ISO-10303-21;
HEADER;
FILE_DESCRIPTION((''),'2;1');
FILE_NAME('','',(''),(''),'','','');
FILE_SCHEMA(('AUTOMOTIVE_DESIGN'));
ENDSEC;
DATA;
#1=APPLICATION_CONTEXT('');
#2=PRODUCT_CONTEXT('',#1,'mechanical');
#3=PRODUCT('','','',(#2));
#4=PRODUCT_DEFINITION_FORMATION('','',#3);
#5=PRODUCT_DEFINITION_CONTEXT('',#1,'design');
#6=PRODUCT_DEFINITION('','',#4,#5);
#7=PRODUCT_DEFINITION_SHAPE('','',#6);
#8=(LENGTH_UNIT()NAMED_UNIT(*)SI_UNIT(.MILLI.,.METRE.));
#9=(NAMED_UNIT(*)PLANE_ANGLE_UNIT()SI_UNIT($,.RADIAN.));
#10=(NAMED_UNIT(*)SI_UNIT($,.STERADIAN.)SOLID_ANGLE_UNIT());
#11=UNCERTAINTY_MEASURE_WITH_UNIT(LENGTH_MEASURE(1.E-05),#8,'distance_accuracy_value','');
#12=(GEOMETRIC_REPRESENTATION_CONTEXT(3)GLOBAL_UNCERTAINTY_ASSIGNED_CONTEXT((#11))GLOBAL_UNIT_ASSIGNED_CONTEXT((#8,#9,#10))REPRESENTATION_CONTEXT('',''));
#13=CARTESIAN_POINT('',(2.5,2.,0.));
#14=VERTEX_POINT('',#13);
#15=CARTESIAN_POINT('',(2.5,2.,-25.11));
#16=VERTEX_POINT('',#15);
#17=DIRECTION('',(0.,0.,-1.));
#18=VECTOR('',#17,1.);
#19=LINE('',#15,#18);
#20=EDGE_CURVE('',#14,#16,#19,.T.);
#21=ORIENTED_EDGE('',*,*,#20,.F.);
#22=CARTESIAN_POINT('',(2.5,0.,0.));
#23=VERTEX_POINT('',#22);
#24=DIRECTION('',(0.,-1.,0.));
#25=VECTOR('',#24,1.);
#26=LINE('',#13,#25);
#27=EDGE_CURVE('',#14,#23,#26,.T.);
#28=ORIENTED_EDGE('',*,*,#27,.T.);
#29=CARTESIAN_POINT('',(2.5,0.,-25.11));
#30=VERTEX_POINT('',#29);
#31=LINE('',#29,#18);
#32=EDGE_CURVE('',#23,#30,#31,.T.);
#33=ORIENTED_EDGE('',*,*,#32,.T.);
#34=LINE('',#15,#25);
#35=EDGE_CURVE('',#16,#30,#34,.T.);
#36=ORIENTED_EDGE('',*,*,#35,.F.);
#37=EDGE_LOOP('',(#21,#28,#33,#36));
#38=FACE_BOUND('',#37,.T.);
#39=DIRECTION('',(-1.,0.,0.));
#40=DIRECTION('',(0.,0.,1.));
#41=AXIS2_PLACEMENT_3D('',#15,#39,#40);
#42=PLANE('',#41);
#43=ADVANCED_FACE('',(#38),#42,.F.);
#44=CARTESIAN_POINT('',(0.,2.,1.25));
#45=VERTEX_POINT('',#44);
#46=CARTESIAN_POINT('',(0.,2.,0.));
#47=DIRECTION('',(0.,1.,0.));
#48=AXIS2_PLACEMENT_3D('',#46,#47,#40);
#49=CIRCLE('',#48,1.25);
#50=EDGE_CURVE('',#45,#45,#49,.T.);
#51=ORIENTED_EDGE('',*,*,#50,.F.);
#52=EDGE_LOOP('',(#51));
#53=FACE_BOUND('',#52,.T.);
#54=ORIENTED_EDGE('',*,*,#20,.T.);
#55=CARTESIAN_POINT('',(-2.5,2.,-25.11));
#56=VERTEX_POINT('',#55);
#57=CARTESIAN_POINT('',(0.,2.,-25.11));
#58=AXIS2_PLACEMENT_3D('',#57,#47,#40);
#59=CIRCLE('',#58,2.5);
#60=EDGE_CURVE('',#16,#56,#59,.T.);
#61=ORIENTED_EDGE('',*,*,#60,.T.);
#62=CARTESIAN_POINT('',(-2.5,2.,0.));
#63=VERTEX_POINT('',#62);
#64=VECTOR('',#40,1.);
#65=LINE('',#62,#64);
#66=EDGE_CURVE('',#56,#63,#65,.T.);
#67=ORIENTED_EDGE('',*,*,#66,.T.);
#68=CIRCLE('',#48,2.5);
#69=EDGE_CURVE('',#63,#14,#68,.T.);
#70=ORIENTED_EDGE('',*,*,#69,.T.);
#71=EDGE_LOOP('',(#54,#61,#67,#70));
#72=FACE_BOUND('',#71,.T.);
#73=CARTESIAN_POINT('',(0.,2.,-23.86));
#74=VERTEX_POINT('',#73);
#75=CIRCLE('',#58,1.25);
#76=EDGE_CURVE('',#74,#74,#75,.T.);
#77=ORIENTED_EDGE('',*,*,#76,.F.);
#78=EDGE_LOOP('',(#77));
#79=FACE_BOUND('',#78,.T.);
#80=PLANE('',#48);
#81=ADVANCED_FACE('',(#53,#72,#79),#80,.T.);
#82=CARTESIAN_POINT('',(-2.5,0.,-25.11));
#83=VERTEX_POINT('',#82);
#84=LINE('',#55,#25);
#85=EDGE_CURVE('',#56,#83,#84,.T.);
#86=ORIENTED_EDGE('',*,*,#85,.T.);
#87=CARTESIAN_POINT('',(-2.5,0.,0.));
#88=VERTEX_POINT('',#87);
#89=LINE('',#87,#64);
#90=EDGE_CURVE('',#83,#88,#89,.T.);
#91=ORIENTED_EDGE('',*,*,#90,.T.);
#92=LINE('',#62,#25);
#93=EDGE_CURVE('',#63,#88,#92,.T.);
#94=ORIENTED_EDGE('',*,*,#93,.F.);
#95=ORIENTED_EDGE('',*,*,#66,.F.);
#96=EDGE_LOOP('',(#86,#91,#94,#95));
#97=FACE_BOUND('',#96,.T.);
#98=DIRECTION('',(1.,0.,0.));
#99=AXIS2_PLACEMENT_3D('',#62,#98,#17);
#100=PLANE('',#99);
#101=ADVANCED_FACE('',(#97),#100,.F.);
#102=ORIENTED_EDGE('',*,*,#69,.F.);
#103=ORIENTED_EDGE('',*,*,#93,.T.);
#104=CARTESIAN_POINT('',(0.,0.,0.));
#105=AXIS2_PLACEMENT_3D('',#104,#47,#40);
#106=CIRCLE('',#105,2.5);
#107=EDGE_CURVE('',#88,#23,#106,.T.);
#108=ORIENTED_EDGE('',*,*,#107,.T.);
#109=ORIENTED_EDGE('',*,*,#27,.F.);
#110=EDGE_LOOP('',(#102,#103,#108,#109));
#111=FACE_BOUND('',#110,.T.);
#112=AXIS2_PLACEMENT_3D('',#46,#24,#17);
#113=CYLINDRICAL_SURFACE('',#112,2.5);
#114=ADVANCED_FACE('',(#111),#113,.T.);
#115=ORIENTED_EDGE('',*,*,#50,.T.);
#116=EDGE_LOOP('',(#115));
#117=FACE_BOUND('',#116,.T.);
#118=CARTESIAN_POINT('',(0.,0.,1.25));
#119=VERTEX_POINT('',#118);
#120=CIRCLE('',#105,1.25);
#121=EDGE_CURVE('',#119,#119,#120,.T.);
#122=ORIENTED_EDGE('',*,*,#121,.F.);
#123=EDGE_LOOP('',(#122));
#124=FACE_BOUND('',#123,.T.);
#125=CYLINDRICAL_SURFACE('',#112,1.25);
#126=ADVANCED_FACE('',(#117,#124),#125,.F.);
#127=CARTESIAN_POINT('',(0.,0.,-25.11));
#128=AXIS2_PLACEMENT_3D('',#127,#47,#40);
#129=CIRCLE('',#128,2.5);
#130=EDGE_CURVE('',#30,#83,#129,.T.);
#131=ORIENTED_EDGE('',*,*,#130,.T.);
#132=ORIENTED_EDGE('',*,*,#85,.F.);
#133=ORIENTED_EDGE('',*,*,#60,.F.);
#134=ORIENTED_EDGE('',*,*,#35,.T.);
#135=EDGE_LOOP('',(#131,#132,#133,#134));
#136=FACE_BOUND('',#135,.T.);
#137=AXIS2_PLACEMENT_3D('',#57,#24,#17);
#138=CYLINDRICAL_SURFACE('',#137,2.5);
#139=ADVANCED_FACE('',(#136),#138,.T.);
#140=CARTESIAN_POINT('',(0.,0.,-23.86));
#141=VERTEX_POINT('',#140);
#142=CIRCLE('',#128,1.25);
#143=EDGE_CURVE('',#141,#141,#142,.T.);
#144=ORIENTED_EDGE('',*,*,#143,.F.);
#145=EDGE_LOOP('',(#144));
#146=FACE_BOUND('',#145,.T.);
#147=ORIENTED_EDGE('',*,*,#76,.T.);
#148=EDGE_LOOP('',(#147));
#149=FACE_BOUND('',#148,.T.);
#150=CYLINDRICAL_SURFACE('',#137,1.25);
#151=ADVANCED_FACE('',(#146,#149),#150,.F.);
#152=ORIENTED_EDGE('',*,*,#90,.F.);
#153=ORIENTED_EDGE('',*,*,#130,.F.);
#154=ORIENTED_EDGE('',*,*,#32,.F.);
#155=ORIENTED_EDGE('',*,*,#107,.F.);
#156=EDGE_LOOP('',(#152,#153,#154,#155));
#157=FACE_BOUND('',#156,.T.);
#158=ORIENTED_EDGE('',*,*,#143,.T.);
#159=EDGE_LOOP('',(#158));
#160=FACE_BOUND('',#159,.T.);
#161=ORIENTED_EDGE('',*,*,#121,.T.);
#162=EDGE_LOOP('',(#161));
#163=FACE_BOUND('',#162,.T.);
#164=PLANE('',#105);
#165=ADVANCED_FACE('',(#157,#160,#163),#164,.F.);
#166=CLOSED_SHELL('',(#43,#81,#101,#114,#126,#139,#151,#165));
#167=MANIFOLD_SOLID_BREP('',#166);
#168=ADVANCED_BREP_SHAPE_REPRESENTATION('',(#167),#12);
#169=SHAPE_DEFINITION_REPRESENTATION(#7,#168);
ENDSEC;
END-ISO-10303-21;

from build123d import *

# Parameters (mm, degrees)
SKETCH1_R           = 1
BOSS_EXTRUDE1_DEPTH = 2
MOVE_FACE1_BY       = 0.25
MOVE_FACE1_2_BY     = 0.25


with BuildPart() as part:
    # Sketch1 → Boss-Extrude1 (new body)
    with BuildSketch(Plane(origin=(0, 0, 0), x_dir=(1, 0, 0), z_dir=(0, 1, 0))):
        with BuildLine():
            Line((-2.5, 0), (-2.5, 25.11))
            ThreePointArc((-2.5, 25.11), (0, 27.61), (2.5, 25.11))
            Line((2.5, 25.11), (2.5, 0))
            ThreePointArc((2.5, 0), (0, -2.5), (-2.5, 0))
        make_face()
        with Locations(Location((0, 25.11, 0), (0, 0, 270))):
            Circle(SKETCH1_R, mode=Mode.SUBTRACT)
        with Locations(Location((0, 0, 0), (0, 0, 270))):
            Circle(SKETCH1_R, mode=Mode.SUBTRACT)
    extrude(amount=BOSS_EXTRUDE1_DEPTH)

    # Move Face1: a curved face moved inward by 0.25
    add(Solid.thicken(part.faces().sort_by_distance((0, 1, -26.11))[0], -MOVE_FACE1_BY), mode=Mode.SUBTRACT)

    # Move Face1 2: a curved face moved inward by 0.25
    add(Solid.thicken(part.faces().sort_by_distance((0, 1, -1))[0], -MOVE_FACE1_2_BY), mode=Mode.SUBTRACT)


solid = part.part
